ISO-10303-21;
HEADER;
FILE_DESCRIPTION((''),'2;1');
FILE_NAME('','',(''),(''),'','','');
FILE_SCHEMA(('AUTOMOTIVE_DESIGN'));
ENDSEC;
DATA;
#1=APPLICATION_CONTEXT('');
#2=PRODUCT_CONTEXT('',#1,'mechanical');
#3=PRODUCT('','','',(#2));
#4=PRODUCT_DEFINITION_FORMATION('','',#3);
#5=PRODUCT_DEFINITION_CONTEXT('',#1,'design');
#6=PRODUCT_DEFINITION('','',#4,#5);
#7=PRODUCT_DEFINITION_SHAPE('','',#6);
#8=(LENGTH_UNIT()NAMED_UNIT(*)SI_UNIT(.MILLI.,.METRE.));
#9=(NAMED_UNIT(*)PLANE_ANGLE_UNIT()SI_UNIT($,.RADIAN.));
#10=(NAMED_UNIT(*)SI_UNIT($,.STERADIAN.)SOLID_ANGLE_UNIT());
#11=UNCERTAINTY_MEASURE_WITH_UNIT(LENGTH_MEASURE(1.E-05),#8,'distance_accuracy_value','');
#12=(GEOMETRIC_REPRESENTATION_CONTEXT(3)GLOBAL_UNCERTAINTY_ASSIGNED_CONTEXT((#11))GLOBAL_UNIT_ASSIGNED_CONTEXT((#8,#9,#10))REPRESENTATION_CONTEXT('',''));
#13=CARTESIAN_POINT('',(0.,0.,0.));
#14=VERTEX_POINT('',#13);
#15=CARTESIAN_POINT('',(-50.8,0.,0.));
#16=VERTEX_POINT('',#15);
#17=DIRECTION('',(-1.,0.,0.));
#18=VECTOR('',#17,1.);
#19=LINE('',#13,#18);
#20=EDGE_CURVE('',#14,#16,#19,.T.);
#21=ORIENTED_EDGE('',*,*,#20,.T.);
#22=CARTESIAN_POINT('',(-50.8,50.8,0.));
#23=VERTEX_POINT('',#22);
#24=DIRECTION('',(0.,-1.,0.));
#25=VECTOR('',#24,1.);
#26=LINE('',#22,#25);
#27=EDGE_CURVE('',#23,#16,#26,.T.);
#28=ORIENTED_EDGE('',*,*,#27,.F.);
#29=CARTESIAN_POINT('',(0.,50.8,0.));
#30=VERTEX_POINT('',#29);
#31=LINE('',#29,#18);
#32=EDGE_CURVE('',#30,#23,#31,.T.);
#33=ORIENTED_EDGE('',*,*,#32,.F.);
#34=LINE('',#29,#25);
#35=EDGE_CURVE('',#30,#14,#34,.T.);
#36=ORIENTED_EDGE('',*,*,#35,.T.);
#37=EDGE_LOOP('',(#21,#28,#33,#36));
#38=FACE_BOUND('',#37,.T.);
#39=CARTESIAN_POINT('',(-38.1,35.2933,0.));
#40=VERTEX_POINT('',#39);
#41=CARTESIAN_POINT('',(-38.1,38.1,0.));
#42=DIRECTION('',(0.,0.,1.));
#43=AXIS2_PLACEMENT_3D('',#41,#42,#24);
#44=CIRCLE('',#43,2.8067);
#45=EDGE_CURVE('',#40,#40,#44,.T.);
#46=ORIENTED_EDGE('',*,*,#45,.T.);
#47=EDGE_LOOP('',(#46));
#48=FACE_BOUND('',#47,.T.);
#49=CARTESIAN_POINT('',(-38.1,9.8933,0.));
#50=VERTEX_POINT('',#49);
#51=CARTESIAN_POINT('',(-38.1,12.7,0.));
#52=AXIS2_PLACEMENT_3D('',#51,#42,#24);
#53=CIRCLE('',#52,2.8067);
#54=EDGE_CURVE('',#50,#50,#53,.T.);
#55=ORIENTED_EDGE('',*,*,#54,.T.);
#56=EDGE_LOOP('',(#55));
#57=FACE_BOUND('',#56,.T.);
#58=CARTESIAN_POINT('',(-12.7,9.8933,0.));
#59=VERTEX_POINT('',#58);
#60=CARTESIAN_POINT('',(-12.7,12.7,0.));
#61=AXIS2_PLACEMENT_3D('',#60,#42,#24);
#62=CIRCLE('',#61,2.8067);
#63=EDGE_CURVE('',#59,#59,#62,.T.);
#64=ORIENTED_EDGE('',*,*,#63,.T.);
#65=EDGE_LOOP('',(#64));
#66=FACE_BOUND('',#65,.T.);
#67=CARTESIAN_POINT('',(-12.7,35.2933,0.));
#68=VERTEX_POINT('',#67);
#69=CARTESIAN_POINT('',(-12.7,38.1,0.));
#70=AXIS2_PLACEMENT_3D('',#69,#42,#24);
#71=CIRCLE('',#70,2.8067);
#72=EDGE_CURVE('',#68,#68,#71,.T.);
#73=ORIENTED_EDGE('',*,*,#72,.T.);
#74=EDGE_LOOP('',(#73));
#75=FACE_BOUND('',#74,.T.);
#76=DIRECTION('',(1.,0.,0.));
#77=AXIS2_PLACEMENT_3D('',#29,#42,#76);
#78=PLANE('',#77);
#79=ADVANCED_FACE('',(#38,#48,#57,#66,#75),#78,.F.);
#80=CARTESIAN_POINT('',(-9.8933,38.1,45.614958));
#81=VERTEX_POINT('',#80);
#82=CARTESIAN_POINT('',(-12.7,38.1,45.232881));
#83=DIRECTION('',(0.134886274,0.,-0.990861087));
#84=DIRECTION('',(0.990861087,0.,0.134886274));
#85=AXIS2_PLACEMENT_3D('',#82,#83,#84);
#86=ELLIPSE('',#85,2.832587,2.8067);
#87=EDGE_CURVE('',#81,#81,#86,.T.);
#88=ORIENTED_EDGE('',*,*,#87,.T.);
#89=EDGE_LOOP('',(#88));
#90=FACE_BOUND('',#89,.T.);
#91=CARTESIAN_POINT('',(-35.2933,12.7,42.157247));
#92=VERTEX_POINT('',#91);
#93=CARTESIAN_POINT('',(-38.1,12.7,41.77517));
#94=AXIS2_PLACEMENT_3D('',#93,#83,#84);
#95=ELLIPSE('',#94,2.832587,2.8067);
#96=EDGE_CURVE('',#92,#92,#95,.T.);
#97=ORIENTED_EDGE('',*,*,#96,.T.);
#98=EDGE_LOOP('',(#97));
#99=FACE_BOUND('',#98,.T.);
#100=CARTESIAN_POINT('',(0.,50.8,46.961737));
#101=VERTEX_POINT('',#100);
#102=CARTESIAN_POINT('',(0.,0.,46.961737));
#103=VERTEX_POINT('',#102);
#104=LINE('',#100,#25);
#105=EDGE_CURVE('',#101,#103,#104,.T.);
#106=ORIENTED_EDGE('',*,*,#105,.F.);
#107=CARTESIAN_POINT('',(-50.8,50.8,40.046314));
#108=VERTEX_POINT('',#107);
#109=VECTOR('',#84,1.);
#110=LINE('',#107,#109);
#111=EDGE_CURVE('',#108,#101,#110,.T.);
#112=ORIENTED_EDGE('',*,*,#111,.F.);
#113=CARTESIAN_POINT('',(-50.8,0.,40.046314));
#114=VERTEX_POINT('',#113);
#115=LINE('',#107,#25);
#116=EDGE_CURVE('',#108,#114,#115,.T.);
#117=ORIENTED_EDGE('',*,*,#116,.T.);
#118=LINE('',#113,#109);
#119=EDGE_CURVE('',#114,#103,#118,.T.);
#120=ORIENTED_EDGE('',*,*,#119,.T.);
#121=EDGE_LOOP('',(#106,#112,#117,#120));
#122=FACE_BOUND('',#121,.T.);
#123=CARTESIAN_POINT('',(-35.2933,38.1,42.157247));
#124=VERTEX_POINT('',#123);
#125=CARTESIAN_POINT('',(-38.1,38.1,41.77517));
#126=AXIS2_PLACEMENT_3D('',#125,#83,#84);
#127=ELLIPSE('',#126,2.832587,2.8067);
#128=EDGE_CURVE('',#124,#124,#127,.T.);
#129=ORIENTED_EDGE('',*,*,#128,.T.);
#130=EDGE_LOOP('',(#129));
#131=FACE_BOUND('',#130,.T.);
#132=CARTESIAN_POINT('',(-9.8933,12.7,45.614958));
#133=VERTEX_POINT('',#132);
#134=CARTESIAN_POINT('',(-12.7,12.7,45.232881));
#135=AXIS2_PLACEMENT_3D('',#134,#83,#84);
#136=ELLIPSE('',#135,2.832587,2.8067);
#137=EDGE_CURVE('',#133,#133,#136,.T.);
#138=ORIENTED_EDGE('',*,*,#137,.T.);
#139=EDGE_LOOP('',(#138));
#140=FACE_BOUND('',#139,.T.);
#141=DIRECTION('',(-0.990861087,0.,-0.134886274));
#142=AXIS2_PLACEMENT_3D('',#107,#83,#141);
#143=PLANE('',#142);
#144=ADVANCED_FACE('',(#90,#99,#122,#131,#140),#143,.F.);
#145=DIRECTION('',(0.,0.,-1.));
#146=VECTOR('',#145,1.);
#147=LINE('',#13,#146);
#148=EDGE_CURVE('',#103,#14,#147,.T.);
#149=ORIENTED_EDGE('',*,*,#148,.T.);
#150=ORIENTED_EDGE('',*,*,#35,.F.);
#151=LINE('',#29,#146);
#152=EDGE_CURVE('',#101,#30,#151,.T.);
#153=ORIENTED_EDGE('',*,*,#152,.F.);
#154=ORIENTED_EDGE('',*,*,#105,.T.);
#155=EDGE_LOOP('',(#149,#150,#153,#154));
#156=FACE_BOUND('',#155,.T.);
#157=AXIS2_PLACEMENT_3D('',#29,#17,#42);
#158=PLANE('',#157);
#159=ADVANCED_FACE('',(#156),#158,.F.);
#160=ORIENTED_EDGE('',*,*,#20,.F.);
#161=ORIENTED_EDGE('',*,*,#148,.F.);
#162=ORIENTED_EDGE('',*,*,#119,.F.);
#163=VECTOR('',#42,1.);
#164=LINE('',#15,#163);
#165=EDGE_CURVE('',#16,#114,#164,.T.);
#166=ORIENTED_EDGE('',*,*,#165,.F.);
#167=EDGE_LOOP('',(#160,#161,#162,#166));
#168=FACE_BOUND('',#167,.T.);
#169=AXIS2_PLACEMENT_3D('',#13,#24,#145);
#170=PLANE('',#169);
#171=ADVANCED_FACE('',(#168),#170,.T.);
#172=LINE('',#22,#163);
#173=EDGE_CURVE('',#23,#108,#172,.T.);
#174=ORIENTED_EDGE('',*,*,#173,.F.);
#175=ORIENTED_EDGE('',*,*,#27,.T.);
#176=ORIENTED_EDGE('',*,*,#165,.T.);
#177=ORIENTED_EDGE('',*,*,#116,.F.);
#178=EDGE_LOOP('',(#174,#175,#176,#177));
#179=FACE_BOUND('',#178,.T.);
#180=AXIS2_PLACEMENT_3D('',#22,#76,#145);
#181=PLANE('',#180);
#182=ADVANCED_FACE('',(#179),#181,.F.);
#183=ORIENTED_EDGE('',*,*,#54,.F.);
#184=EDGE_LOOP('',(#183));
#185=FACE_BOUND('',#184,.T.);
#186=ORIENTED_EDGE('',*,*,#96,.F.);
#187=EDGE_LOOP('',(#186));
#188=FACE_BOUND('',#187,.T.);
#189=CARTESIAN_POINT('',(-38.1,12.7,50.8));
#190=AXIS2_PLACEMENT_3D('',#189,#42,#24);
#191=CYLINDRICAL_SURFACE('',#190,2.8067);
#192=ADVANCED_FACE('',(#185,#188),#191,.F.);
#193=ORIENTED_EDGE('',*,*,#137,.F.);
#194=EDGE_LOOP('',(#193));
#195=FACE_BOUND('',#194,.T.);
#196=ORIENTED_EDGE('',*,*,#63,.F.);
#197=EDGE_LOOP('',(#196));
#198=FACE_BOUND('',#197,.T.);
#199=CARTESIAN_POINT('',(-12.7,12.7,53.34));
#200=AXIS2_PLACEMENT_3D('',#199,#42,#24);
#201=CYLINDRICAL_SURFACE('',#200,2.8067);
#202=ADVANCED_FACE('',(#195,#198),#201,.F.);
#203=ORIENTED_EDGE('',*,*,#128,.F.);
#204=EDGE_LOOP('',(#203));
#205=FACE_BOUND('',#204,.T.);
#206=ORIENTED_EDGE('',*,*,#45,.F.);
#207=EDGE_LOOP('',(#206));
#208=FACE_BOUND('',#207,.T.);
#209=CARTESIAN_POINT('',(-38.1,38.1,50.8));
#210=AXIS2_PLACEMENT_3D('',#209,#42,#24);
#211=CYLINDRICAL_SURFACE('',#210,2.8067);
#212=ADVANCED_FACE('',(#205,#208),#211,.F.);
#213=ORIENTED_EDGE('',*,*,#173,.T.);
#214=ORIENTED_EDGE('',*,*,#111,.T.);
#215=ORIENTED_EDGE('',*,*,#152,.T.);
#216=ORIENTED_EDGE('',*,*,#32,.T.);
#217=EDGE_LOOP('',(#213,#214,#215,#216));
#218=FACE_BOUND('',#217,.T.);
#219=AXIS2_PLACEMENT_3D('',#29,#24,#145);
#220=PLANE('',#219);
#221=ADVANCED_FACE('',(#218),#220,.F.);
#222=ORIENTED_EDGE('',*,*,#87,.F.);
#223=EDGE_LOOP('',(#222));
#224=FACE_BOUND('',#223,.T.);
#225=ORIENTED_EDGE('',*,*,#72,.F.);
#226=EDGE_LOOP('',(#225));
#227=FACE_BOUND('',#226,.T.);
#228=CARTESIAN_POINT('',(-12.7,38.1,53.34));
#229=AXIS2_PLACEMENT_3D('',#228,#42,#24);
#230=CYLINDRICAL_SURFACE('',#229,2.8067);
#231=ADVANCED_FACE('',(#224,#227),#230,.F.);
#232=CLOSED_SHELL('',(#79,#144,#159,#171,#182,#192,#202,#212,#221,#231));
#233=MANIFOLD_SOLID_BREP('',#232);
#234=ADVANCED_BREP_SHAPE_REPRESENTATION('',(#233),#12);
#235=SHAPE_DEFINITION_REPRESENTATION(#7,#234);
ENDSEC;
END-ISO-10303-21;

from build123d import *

# Parameters (mm, degrees)
BOSS_EXTRUDE1_DEPTH                                = 50.8
CSK_FOR_10_FLAT_HEAD_MACHINE_SCREW_100_D           = 5.6134
CSK_FOR_10_FLAT_HEAD_MACHINE_SCREW_100_CSINK_D     = 17.78
CSK_FOR_10_FLAT_HEAD_MACHINE_SCREW_100_CSINK_ANGLE = 90
CSK_FOR_10_FLAT_HEAD_MACHINE_SCREW_2_D             = 5.6134
CSK_FOR_10_FLAT_HEAD_MACHINE_SCREW_2_CSINK_D       = 17.78
CSK_FOR_10_FLAT_HEAD_MACHINE_SCREW_2_CSINK_ANGLE   = 90


with BuildPart() as part:
    # Sketch1 → Boss-Extrude1 (new body)
    with BuildSketch(Plane(origin=(0, 0, 0), x_dir=(1, 0, 0), z_dir=(0, 1, 0))):
        Polygon((0, 0), (-50.8, 0), (-50.8, -40.046314449), (0, -46.961736623), align=None)
    extrude(amount=BOSS_EXTRUDE1_DEPTH)

    # CSK for _10 Flat Head Machine Screw _100 (through all)
    with Locations(Plane(origin=(295.341972913, -214.795089466, 50.8), x_dir=(-1, 0, 0), z_dir=(0, 0, 1))):
        with Locations((333.441972913, -227.495089466), (333.441972913, -252.895089466), (333.441972913, -329.095089466), (333.441972913, -354.495089466)):
            CounterSinkHole(CSK_FOR_10_FLAT_HEAD_MACHINE_SCREW_100_D / 2, CSK_FOR_10_FLAT_HEAD_MACHINE_SCREW_100_CSINK_D / 2, counter_sink_angle=CSK_FOR_10_FLAT_HEAD_MACHINE_SCREW_100_CSINK_ANGLE)

    # CSK for _10 Flat Head Machine Screw  2 (through all)
    with Locations(Plane(origin=(295.341972913, -316.395089466, 53.34), x_dir=(-1, 0, 0), z_dir=(0, 0, 1))):
        with Locations((308.041972913, -252.895089466), (308.041972913, -227.495089466), (308.041972913, -329.095089466), (308.041972913, -354.495089466)):
            CounterSinkHole(CSK_FOR_10_FLAT_HEAD_MACHINE_SCREW_2_D / 2, CSK_FOR_10_FLAT_HEAD_MACHINE_SCREW_2_CSINK_D / 2, counter_sink_angle=CSK_FOR_10_FLAT_HEAD_MACHINE_SCREW_2_CSINK_ANGLE)


solid = part.part
